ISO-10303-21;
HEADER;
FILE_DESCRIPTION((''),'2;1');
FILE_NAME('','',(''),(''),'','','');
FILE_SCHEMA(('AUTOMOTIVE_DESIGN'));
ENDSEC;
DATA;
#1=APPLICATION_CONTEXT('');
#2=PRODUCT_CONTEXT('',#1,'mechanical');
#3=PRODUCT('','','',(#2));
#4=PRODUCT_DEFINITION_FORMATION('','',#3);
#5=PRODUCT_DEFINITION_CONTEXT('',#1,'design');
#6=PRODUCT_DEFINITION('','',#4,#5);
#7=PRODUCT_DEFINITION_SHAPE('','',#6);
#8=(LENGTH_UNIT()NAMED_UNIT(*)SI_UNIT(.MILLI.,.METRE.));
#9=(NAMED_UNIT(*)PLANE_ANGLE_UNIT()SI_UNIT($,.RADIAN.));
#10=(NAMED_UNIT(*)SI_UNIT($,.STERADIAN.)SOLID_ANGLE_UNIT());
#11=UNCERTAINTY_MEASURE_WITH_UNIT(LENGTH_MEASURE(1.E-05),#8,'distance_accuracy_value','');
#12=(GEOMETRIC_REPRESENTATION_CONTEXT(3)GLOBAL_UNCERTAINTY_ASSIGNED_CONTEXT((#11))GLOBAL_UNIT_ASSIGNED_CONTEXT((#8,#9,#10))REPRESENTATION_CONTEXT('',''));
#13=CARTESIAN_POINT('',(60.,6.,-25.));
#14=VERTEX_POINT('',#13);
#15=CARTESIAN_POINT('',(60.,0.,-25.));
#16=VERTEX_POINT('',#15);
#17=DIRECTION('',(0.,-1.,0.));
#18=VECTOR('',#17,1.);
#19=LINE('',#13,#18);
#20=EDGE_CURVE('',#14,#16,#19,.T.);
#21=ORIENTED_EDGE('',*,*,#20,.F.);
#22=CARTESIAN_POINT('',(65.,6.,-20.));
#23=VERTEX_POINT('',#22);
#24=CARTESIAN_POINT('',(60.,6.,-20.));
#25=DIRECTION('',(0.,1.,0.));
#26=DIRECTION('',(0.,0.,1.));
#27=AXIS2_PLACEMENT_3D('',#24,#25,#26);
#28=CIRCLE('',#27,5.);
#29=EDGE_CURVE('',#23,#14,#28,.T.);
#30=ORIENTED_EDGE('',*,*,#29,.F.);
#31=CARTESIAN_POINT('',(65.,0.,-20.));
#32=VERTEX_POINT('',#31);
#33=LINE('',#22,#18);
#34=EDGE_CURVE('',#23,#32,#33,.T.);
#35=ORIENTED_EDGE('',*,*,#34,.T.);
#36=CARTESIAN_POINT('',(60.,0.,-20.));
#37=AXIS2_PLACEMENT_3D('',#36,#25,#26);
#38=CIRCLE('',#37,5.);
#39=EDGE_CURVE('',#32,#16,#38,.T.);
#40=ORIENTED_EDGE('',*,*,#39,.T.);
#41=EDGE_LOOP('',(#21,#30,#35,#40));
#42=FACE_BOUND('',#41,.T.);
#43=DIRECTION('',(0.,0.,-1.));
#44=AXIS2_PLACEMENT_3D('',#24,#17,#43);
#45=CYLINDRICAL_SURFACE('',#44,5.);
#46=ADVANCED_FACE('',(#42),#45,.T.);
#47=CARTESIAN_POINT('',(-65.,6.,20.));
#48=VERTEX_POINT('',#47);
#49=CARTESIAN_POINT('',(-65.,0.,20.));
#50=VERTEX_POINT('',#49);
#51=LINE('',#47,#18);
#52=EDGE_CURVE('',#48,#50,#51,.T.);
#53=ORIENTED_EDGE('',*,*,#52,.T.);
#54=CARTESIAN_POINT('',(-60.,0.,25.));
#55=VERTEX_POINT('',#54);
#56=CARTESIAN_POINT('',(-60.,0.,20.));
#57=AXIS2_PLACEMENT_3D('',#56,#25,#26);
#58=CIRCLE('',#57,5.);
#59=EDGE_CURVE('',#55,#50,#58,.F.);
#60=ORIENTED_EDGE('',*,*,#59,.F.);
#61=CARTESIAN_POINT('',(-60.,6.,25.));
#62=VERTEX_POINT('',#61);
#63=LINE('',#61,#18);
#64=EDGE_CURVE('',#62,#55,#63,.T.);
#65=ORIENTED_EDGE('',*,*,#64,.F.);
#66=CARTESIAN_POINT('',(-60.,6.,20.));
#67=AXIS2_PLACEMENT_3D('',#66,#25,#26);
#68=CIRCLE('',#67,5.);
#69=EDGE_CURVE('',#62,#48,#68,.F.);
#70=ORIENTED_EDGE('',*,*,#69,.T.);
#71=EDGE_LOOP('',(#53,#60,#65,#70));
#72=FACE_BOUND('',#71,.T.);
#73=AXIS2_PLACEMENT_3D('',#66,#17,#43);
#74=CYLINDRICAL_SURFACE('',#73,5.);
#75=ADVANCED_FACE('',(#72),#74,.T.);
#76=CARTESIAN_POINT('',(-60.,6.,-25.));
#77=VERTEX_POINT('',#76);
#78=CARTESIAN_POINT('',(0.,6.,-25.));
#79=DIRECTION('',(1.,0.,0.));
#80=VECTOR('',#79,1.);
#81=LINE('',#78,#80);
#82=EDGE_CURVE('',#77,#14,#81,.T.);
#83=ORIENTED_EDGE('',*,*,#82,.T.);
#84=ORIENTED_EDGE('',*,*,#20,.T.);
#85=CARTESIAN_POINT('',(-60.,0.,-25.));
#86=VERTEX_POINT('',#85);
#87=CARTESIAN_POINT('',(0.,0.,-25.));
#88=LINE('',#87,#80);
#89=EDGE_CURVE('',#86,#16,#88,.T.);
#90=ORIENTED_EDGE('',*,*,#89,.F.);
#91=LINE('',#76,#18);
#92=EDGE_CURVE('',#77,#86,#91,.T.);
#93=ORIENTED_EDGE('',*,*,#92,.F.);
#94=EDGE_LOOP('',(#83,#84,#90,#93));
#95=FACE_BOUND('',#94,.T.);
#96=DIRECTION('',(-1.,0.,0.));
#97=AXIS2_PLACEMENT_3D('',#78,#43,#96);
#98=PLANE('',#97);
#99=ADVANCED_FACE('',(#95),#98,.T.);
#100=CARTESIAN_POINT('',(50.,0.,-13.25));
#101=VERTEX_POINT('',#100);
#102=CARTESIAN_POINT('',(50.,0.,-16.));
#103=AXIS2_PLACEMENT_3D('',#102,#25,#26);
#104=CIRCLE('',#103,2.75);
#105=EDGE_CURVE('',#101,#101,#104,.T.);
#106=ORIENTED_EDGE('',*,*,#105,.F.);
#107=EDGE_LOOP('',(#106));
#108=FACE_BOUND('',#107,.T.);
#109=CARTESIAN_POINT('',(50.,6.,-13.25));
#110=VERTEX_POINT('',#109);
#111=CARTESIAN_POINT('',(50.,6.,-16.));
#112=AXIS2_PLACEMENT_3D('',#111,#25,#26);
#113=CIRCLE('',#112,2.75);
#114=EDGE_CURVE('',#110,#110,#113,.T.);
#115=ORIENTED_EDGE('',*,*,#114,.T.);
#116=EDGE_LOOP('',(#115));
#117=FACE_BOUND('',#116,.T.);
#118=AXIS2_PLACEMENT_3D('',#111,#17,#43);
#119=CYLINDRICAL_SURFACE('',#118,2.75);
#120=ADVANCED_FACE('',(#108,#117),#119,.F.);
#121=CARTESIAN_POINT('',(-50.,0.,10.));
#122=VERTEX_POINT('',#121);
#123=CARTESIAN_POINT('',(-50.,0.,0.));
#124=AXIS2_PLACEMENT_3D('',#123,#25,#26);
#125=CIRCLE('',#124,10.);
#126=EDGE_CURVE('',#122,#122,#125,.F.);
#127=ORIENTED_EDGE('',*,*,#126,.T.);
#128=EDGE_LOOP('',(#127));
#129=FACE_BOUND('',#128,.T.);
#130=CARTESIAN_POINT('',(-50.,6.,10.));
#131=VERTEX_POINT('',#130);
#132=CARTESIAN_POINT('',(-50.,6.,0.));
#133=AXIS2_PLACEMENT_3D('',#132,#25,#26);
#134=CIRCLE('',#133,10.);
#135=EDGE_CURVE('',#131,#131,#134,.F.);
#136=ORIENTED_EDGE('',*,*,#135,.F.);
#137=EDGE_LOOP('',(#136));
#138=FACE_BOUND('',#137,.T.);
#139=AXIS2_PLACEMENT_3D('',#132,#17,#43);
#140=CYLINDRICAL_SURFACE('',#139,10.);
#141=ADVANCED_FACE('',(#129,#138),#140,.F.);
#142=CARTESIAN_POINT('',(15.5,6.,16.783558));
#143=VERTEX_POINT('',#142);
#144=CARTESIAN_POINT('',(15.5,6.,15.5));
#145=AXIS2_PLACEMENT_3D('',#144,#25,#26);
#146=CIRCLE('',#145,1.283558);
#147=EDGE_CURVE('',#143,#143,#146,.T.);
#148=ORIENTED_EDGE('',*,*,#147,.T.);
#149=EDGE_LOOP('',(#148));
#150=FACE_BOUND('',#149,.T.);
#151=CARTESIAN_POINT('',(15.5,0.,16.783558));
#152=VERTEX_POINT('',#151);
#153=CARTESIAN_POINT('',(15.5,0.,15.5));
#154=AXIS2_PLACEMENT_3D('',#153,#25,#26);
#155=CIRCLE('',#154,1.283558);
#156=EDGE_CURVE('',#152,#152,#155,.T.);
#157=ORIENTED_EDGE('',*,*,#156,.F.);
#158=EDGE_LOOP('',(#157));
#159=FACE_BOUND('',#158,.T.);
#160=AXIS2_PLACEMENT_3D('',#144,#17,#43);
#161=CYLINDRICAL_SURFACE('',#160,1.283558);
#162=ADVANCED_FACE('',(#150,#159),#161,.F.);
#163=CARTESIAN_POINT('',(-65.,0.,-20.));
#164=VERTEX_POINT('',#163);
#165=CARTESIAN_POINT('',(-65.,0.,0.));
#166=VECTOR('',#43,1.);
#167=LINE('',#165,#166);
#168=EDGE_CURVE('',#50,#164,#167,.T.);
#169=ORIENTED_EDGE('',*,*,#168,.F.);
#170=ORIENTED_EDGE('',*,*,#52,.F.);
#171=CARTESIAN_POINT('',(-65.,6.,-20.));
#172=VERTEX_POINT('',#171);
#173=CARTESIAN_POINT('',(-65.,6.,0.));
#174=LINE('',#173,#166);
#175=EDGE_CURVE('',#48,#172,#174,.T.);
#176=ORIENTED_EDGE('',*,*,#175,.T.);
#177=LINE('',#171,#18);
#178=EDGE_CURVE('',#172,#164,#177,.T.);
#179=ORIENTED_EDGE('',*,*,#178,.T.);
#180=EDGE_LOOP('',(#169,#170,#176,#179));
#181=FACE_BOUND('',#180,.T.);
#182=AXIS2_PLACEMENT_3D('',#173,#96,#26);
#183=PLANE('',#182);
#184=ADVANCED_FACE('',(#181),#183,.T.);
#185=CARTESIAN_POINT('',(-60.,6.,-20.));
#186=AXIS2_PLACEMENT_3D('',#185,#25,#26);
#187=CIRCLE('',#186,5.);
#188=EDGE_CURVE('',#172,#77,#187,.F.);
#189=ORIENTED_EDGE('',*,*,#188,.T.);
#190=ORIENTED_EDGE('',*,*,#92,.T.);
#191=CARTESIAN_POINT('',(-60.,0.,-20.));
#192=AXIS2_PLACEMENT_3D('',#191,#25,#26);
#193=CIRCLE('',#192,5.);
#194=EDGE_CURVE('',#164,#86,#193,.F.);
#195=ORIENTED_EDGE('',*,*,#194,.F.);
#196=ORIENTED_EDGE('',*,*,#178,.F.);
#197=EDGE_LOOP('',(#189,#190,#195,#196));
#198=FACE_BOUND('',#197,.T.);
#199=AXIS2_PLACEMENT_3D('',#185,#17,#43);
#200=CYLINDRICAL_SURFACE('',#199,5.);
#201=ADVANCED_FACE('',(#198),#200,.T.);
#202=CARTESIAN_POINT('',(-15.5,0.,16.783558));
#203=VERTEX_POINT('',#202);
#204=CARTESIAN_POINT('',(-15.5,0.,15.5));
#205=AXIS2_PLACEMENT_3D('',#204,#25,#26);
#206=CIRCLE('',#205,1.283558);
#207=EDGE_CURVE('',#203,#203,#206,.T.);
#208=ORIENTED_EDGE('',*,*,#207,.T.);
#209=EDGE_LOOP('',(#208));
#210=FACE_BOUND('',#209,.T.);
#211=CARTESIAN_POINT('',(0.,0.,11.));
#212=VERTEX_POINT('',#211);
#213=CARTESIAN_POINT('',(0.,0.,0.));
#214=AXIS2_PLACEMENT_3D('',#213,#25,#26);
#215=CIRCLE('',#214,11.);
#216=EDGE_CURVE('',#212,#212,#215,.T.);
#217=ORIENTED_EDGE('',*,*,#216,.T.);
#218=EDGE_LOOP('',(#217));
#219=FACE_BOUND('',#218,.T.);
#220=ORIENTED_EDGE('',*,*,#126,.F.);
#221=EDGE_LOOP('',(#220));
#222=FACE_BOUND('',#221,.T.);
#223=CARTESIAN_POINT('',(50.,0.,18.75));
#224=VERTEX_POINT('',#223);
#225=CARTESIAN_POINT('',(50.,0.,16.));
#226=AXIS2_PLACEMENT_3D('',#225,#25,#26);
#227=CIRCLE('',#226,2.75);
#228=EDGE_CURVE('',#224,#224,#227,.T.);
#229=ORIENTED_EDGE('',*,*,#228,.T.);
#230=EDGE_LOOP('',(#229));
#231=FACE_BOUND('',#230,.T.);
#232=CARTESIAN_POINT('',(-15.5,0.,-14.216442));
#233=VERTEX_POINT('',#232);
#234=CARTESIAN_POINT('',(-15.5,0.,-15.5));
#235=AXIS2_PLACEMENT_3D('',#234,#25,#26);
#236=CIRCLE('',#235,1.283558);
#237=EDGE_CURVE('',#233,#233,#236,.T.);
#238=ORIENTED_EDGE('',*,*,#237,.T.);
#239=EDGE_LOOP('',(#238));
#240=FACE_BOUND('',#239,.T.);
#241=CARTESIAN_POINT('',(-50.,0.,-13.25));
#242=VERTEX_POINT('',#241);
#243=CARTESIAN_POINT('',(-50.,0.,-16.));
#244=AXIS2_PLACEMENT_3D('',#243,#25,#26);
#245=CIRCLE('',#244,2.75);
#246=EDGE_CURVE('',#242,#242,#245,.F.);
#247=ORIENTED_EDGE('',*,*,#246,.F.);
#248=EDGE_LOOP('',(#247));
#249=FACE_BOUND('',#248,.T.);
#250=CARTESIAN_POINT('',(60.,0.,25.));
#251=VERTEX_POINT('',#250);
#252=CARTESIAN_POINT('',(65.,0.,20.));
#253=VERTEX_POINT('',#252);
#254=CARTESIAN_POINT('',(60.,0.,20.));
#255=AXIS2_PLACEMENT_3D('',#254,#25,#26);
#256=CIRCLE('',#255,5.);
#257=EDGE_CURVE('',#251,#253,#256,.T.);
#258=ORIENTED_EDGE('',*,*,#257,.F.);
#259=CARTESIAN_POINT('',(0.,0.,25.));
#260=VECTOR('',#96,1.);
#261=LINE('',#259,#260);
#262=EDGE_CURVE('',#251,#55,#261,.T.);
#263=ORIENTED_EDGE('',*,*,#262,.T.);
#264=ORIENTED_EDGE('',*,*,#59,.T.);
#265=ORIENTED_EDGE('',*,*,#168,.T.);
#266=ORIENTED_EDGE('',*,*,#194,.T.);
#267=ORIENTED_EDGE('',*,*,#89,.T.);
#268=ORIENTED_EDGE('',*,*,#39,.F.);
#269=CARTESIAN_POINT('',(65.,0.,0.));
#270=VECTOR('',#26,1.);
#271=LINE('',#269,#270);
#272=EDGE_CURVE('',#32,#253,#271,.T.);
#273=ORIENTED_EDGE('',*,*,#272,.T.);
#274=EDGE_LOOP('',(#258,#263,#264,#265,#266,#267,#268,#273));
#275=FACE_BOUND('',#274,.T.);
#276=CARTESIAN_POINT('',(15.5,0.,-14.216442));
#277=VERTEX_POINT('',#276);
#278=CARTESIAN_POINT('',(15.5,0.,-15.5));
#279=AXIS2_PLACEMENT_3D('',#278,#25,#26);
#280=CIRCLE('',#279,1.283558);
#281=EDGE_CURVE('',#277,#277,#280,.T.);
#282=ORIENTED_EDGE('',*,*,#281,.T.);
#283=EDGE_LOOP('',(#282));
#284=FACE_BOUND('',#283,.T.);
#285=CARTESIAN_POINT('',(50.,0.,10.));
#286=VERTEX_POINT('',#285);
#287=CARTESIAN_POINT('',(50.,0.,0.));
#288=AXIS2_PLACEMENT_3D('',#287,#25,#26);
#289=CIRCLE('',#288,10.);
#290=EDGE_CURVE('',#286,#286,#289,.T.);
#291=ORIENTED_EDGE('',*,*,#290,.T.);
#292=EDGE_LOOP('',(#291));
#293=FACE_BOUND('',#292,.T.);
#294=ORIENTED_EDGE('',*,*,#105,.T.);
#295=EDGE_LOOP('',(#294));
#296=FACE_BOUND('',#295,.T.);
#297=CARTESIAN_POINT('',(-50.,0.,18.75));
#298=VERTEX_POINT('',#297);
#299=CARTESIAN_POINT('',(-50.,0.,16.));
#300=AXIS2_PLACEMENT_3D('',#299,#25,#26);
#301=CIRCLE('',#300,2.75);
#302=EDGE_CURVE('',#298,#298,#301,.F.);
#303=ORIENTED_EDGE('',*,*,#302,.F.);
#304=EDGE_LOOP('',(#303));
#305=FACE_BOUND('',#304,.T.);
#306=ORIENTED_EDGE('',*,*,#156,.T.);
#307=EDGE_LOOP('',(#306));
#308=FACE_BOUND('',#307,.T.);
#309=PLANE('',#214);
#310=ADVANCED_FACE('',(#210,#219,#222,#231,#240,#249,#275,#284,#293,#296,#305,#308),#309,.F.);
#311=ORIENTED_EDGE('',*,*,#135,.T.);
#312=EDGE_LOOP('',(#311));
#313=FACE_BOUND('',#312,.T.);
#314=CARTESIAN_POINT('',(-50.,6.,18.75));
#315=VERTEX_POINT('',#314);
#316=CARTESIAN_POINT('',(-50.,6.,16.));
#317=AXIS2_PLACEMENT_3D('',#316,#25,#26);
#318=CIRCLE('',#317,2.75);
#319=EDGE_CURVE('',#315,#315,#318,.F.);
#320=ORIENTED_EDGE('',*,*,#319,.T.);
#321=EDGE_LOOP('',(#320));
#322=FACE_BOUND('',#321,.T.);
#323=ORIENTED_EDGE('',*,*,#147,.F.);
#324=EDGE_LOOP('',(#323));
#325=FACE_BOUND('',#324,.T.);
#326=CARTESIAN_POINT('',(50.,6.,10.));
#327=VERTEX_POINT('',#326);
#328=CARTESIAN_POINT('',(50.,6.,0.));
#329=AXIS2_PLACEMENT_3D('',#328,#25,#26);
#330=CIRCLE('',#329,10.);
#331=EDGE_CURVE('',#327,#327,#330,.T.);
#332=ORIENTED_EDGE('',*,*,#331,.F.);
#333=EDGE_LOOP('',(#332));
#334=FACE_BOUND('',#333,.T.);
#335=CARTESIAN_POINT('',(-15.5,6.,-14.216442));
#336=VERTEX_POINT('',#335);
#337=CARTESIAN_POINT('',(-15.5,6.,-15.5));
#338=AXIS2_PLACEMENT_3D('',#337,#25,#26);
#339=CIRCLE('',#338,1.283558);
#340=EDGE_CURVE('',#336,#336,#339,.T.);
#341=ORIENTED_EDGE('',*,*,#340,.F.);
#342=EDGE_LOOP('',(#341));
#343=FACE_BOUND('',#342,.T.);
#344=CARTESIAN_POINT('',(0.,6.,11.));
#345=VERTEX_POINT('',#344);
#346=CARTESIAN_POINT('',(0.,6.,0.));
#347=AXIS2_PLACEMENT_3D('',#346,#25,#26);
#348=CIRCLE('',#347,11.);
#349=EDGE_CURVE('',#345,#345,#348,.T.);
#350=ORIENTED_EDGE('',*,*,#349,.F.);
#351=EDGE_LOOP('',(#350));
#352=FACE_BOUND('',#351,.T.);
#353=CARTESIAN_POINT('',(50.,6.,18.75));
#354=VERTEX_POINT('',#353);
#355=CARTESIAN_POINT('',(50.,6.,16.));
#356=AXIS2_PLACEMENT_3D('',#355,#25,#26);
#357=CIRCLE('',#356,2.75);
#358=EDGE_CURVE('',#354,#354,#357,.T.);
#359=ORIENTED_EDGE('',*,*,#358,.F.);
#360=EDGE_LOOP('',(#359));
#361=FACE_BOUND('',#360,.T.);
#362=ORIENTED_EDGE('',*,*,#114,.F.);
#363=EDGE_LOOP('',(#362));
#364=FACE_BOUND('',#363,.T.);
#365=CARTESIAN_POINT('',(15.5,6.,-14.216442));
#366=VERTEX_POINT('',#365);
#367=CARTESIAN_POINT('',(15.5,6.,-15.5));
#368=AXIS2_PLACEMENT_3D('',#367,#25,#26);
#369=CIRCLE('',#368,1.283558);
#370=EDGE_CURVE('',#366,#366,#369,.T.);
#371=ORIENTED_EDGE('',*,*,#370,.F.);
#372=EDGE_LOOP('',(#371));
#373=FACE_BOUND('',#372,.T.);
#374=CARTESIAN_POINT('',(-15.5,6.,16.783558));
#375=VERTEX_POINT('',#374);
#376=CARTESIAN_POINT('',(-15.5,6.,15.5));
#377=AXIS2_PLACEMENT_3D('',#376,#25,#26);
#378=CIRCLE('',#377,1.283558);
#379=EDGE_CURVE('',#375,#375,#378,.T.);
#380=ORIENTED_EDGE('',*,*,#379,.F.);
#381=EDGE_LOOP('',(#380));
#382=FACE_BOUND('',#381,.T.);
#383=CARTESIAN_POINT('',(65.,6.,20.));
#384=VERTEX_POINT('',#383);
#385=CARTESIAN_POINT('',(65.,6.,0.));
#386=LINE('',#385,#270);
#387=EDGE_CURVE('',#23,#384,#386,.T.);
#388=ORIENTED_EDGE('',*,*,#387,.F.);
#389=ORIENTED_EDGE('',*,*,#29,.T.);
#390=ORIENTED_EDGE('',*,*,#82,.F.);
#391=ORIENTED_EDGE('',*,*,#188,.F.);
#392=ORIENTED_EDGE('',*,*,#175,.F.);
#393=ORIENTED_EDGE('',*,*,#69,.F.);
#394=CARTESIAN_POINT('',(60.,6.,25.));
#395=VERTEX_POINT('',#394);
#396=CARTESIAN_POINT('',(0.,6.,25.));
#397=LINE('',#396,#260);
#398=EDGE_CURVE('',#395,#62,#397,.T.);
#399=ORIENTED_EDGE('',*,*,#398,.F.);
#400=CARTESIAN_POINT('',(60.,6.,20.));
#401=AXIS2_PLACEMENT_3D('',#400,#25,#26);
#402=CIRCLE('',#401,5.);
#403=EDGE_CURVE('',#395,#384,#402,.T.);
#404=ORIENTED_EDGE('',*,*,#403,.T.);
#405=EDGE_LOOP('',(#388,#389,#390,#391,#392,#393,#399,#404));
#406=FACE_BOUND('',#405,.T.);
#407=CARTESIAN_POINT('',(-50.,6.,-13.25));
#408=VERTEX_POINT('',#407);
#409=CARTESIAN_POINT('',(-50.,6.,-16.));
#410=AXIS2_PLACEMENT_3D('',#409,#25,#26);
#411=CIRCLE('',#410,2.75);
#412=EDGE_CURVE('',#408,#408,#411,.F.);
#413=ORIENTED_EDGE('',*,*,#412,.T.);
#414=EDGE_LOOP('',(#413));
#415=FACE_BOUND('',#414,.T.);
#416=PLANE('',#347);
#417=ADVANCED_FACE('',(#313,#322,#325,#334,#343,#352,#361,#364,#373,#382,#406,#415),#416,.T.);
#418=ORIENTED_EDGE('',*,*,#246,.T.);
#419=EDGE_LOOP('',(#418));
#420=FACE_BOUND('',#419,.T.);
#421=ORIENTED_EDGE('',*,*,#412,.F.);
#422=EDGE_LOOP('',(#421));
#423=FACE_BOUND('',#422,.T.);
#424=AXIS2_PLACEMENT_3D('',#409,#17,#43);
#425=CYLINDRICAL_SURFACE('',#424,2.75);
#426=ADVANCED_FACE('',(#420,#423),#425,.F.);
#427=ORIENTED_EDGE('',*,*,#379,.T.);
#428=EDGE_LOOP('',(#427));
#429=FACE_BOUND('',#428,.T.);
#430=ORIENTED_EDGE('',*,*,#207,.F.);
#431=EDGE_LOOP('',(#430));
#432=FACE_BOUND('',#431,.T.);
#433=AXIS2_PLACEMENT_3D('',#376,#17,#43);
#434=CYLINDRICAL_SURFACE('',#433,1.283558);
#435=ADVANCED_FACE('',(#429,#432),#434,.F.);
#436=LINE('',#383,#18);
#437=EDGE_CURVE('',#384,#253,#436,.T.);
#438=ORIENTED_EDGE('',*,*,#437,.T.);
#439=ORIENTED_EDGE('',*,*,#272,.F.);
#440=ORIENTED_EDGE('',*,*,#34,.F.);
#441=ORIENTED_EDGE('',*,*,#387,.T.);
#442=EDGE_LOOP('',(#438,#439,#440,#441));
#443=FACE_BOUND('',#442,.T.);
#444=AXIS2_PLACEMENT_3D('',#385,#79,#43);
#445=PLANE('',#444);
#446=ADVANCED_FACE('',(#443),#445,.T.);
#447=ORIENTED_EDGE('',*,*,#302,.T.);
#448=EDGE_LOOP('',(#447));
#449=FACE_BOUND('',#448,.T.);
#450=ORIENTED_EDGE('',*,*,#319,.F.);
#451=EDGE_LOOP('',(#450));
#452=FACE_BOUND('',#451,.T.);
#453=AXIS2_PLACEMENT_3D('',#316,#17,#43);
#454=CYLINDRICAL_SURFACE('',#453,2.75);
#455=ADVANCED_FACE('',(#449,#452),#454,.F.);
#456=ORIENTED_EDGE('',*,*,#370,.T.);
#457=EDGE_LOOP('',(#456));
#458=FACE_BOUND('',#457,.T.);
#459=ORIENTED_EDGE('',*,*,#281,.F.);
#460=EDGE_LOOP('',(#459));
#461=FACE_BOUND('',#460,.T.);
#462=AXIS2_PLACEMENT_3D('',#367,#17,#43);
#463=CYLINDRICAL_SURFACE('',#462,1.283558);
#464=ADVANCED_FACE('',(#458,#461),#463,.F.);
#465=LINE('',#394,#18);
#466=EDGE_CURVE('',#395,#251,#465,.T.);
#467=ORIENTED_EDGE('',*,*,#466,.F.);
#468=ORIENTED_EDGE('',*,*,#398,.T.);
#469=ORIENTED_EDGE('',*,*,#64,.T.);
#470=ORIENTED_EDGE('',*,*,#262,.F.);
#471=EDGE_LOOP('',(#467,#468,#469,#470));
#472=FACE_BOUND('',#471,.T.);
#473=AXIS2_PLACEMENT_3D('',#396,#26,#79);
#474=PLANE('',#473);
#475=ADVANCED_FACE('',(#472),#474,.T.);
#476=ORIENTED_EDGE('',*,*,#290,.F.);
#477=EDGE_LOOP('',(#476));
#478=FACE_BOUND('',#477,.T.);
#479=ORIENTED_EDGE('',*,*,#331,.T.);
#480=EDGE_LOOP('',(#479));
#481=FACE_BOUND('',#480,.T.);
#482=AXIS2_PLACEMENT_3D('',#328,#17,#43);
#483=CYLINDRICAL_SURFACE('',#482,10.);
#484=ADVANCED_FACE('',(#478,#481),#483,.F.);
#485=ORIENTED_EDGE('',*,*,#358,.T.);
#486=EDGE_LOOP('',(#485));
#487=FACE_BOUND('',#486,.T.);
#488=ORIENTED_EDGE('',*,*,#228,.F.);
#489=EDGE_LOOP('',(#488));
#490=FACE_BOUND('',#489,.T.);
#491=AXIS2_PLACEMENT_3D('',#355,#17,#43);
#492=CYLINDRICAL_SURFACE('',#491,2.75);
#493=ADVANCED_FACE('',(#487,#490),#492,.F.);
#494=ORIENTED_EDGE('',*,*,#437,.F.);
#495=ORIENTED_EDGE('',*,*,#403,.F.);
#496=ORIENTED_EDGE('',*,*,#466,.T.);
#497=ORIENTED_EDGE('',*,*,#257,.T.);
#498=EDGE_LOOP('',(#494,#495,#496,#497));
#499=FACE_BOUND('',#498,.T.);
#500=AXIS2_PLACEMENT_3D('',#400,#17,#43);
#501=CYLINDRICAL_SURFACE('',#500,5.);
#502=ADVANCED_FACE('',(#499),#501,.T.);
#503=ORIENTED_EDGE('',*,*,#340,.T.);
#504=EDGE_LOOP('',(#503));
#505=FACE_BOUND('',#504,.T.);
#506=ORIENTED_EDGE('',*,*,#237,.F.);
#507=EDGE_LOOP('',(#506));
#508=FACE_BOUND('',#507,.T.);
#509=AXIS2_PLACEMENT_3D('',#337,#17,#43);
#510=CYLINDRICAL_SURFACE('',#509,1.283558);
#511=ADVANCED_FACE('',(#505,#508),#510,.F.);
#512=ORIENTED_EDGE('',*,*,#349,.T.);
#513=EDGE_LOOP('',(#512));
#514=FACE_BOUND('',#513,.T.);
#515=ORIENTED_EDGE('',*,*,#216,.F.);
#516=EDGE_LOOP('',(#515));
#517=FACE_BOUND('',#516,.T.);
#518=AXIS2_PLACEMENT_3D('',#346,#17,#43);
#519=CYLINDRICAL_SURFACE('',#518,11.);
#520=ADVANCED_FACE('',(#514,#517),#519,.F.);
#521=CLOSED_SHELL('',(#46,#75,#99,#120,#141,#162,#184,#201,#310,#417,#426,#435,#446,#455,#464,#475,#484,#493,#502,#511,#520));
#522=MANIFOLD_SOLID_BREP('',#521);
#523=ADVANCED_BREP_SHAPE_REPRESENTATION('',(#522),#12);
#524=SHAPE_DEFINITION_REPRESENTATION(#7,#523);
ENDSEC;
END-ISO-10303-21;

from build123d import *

# Parameters (mm, degrees)
SKETCH_1_R      = 2.75
SKETCH_1_R_2    = 11
SKETCH_1_R_3    = 1.283558174
SKETCH_1_R_4    = 10
EXTRUDE_1_DEPTH = 6


with BuildPart() as part:
    # 草图1 → 凸台-拉伸1 (new body)
    with BuildSketch(Plane(origin=(0, 0, 0), x_dir=(1, 0, 0), z_dir=(0, 1, 0))):
        with BuildLine():
            ThreePointArc((-65, 20), (-63.535533906, 23.535533906), (-60, 25))
            Line((-60, 25), (0, 25))
            Line((0, 25), (60, 25))
            ThreePointArc((60, 25), (63.535533906, 23.535533906), (65, 20))
            Line((65, 20), (65, -20))
            ThreePointArc((65, -20), (63.535533906, -23.535533906), (60, -25))
            Line((60, -25), (-60, -25))
            ThreePointArc((-60, -25), (-63.535533906, -23.535533906), (-65, -20))
            Line((-65, -20), (-65, 20))
        make_face()
        with Locations(Location((-50, 16, 0), (0, 0, 270))):
            Circle(SKETCH_1_R, mode=Mode.SUBTRACT)
        with Locations(Location((0, 0, 0), (0, 0, 270))):
            Circle(SKETCH_1_R_2, mode=Mode.SUBTRACT)
        with Locations(Location((15.5, 15.5, 0), (0, 0, 270))):
            Circle(SKETCH_1_R_3, mode=Mode.SUBTRACT)
        with Locations(Location((15.5, -15.5, 0), (0, 0, 270))):
            Circle(SKETCH_1_R_3, mode=Mode.SUBTRACT)
        with Locations(Location((-15.5, -15.5, 0), (0, 0, 270))):
            Circle(SKETCH_1_R_3, mode=Mode.SUBTRACT)
        with Locations(Location((-15.5, 15.5, 0), (0, 0, 270))):
            Circle(SKETCH_1_R_3, mode=Mode.SUBTRACT)
        with Locations(Location((50, 0, 0), (0, 0, 270))):
            Circle(SKETCH_1_R_4, mode=Mode.SUBTRACT)
        with Locations(Location((50, 16, 0), (0, 0, 270))):
            Circle(SKETCH_1_R, mode=Mode.SUBTRACT)
        with Locations(Location((50, -16, 0), (0, 0, 270))):
            Circle(SKETCH_1_R, mode=Mode.SUBTRACT)
        with Locations(Location((-50, -16, 0), (0, 0, 270))):
            Circle(SKETCH_1_R, mode=Mode.SUBTRACT)
        with Locations(Location((-50, 0, 0), (0, 0, 270))):
            Circle(SKETCH_1_R_4, mode=Mode.SUBTRACT)
    extrude(amount=EXTRUDE_1_DEPTH)


solid = part.part
